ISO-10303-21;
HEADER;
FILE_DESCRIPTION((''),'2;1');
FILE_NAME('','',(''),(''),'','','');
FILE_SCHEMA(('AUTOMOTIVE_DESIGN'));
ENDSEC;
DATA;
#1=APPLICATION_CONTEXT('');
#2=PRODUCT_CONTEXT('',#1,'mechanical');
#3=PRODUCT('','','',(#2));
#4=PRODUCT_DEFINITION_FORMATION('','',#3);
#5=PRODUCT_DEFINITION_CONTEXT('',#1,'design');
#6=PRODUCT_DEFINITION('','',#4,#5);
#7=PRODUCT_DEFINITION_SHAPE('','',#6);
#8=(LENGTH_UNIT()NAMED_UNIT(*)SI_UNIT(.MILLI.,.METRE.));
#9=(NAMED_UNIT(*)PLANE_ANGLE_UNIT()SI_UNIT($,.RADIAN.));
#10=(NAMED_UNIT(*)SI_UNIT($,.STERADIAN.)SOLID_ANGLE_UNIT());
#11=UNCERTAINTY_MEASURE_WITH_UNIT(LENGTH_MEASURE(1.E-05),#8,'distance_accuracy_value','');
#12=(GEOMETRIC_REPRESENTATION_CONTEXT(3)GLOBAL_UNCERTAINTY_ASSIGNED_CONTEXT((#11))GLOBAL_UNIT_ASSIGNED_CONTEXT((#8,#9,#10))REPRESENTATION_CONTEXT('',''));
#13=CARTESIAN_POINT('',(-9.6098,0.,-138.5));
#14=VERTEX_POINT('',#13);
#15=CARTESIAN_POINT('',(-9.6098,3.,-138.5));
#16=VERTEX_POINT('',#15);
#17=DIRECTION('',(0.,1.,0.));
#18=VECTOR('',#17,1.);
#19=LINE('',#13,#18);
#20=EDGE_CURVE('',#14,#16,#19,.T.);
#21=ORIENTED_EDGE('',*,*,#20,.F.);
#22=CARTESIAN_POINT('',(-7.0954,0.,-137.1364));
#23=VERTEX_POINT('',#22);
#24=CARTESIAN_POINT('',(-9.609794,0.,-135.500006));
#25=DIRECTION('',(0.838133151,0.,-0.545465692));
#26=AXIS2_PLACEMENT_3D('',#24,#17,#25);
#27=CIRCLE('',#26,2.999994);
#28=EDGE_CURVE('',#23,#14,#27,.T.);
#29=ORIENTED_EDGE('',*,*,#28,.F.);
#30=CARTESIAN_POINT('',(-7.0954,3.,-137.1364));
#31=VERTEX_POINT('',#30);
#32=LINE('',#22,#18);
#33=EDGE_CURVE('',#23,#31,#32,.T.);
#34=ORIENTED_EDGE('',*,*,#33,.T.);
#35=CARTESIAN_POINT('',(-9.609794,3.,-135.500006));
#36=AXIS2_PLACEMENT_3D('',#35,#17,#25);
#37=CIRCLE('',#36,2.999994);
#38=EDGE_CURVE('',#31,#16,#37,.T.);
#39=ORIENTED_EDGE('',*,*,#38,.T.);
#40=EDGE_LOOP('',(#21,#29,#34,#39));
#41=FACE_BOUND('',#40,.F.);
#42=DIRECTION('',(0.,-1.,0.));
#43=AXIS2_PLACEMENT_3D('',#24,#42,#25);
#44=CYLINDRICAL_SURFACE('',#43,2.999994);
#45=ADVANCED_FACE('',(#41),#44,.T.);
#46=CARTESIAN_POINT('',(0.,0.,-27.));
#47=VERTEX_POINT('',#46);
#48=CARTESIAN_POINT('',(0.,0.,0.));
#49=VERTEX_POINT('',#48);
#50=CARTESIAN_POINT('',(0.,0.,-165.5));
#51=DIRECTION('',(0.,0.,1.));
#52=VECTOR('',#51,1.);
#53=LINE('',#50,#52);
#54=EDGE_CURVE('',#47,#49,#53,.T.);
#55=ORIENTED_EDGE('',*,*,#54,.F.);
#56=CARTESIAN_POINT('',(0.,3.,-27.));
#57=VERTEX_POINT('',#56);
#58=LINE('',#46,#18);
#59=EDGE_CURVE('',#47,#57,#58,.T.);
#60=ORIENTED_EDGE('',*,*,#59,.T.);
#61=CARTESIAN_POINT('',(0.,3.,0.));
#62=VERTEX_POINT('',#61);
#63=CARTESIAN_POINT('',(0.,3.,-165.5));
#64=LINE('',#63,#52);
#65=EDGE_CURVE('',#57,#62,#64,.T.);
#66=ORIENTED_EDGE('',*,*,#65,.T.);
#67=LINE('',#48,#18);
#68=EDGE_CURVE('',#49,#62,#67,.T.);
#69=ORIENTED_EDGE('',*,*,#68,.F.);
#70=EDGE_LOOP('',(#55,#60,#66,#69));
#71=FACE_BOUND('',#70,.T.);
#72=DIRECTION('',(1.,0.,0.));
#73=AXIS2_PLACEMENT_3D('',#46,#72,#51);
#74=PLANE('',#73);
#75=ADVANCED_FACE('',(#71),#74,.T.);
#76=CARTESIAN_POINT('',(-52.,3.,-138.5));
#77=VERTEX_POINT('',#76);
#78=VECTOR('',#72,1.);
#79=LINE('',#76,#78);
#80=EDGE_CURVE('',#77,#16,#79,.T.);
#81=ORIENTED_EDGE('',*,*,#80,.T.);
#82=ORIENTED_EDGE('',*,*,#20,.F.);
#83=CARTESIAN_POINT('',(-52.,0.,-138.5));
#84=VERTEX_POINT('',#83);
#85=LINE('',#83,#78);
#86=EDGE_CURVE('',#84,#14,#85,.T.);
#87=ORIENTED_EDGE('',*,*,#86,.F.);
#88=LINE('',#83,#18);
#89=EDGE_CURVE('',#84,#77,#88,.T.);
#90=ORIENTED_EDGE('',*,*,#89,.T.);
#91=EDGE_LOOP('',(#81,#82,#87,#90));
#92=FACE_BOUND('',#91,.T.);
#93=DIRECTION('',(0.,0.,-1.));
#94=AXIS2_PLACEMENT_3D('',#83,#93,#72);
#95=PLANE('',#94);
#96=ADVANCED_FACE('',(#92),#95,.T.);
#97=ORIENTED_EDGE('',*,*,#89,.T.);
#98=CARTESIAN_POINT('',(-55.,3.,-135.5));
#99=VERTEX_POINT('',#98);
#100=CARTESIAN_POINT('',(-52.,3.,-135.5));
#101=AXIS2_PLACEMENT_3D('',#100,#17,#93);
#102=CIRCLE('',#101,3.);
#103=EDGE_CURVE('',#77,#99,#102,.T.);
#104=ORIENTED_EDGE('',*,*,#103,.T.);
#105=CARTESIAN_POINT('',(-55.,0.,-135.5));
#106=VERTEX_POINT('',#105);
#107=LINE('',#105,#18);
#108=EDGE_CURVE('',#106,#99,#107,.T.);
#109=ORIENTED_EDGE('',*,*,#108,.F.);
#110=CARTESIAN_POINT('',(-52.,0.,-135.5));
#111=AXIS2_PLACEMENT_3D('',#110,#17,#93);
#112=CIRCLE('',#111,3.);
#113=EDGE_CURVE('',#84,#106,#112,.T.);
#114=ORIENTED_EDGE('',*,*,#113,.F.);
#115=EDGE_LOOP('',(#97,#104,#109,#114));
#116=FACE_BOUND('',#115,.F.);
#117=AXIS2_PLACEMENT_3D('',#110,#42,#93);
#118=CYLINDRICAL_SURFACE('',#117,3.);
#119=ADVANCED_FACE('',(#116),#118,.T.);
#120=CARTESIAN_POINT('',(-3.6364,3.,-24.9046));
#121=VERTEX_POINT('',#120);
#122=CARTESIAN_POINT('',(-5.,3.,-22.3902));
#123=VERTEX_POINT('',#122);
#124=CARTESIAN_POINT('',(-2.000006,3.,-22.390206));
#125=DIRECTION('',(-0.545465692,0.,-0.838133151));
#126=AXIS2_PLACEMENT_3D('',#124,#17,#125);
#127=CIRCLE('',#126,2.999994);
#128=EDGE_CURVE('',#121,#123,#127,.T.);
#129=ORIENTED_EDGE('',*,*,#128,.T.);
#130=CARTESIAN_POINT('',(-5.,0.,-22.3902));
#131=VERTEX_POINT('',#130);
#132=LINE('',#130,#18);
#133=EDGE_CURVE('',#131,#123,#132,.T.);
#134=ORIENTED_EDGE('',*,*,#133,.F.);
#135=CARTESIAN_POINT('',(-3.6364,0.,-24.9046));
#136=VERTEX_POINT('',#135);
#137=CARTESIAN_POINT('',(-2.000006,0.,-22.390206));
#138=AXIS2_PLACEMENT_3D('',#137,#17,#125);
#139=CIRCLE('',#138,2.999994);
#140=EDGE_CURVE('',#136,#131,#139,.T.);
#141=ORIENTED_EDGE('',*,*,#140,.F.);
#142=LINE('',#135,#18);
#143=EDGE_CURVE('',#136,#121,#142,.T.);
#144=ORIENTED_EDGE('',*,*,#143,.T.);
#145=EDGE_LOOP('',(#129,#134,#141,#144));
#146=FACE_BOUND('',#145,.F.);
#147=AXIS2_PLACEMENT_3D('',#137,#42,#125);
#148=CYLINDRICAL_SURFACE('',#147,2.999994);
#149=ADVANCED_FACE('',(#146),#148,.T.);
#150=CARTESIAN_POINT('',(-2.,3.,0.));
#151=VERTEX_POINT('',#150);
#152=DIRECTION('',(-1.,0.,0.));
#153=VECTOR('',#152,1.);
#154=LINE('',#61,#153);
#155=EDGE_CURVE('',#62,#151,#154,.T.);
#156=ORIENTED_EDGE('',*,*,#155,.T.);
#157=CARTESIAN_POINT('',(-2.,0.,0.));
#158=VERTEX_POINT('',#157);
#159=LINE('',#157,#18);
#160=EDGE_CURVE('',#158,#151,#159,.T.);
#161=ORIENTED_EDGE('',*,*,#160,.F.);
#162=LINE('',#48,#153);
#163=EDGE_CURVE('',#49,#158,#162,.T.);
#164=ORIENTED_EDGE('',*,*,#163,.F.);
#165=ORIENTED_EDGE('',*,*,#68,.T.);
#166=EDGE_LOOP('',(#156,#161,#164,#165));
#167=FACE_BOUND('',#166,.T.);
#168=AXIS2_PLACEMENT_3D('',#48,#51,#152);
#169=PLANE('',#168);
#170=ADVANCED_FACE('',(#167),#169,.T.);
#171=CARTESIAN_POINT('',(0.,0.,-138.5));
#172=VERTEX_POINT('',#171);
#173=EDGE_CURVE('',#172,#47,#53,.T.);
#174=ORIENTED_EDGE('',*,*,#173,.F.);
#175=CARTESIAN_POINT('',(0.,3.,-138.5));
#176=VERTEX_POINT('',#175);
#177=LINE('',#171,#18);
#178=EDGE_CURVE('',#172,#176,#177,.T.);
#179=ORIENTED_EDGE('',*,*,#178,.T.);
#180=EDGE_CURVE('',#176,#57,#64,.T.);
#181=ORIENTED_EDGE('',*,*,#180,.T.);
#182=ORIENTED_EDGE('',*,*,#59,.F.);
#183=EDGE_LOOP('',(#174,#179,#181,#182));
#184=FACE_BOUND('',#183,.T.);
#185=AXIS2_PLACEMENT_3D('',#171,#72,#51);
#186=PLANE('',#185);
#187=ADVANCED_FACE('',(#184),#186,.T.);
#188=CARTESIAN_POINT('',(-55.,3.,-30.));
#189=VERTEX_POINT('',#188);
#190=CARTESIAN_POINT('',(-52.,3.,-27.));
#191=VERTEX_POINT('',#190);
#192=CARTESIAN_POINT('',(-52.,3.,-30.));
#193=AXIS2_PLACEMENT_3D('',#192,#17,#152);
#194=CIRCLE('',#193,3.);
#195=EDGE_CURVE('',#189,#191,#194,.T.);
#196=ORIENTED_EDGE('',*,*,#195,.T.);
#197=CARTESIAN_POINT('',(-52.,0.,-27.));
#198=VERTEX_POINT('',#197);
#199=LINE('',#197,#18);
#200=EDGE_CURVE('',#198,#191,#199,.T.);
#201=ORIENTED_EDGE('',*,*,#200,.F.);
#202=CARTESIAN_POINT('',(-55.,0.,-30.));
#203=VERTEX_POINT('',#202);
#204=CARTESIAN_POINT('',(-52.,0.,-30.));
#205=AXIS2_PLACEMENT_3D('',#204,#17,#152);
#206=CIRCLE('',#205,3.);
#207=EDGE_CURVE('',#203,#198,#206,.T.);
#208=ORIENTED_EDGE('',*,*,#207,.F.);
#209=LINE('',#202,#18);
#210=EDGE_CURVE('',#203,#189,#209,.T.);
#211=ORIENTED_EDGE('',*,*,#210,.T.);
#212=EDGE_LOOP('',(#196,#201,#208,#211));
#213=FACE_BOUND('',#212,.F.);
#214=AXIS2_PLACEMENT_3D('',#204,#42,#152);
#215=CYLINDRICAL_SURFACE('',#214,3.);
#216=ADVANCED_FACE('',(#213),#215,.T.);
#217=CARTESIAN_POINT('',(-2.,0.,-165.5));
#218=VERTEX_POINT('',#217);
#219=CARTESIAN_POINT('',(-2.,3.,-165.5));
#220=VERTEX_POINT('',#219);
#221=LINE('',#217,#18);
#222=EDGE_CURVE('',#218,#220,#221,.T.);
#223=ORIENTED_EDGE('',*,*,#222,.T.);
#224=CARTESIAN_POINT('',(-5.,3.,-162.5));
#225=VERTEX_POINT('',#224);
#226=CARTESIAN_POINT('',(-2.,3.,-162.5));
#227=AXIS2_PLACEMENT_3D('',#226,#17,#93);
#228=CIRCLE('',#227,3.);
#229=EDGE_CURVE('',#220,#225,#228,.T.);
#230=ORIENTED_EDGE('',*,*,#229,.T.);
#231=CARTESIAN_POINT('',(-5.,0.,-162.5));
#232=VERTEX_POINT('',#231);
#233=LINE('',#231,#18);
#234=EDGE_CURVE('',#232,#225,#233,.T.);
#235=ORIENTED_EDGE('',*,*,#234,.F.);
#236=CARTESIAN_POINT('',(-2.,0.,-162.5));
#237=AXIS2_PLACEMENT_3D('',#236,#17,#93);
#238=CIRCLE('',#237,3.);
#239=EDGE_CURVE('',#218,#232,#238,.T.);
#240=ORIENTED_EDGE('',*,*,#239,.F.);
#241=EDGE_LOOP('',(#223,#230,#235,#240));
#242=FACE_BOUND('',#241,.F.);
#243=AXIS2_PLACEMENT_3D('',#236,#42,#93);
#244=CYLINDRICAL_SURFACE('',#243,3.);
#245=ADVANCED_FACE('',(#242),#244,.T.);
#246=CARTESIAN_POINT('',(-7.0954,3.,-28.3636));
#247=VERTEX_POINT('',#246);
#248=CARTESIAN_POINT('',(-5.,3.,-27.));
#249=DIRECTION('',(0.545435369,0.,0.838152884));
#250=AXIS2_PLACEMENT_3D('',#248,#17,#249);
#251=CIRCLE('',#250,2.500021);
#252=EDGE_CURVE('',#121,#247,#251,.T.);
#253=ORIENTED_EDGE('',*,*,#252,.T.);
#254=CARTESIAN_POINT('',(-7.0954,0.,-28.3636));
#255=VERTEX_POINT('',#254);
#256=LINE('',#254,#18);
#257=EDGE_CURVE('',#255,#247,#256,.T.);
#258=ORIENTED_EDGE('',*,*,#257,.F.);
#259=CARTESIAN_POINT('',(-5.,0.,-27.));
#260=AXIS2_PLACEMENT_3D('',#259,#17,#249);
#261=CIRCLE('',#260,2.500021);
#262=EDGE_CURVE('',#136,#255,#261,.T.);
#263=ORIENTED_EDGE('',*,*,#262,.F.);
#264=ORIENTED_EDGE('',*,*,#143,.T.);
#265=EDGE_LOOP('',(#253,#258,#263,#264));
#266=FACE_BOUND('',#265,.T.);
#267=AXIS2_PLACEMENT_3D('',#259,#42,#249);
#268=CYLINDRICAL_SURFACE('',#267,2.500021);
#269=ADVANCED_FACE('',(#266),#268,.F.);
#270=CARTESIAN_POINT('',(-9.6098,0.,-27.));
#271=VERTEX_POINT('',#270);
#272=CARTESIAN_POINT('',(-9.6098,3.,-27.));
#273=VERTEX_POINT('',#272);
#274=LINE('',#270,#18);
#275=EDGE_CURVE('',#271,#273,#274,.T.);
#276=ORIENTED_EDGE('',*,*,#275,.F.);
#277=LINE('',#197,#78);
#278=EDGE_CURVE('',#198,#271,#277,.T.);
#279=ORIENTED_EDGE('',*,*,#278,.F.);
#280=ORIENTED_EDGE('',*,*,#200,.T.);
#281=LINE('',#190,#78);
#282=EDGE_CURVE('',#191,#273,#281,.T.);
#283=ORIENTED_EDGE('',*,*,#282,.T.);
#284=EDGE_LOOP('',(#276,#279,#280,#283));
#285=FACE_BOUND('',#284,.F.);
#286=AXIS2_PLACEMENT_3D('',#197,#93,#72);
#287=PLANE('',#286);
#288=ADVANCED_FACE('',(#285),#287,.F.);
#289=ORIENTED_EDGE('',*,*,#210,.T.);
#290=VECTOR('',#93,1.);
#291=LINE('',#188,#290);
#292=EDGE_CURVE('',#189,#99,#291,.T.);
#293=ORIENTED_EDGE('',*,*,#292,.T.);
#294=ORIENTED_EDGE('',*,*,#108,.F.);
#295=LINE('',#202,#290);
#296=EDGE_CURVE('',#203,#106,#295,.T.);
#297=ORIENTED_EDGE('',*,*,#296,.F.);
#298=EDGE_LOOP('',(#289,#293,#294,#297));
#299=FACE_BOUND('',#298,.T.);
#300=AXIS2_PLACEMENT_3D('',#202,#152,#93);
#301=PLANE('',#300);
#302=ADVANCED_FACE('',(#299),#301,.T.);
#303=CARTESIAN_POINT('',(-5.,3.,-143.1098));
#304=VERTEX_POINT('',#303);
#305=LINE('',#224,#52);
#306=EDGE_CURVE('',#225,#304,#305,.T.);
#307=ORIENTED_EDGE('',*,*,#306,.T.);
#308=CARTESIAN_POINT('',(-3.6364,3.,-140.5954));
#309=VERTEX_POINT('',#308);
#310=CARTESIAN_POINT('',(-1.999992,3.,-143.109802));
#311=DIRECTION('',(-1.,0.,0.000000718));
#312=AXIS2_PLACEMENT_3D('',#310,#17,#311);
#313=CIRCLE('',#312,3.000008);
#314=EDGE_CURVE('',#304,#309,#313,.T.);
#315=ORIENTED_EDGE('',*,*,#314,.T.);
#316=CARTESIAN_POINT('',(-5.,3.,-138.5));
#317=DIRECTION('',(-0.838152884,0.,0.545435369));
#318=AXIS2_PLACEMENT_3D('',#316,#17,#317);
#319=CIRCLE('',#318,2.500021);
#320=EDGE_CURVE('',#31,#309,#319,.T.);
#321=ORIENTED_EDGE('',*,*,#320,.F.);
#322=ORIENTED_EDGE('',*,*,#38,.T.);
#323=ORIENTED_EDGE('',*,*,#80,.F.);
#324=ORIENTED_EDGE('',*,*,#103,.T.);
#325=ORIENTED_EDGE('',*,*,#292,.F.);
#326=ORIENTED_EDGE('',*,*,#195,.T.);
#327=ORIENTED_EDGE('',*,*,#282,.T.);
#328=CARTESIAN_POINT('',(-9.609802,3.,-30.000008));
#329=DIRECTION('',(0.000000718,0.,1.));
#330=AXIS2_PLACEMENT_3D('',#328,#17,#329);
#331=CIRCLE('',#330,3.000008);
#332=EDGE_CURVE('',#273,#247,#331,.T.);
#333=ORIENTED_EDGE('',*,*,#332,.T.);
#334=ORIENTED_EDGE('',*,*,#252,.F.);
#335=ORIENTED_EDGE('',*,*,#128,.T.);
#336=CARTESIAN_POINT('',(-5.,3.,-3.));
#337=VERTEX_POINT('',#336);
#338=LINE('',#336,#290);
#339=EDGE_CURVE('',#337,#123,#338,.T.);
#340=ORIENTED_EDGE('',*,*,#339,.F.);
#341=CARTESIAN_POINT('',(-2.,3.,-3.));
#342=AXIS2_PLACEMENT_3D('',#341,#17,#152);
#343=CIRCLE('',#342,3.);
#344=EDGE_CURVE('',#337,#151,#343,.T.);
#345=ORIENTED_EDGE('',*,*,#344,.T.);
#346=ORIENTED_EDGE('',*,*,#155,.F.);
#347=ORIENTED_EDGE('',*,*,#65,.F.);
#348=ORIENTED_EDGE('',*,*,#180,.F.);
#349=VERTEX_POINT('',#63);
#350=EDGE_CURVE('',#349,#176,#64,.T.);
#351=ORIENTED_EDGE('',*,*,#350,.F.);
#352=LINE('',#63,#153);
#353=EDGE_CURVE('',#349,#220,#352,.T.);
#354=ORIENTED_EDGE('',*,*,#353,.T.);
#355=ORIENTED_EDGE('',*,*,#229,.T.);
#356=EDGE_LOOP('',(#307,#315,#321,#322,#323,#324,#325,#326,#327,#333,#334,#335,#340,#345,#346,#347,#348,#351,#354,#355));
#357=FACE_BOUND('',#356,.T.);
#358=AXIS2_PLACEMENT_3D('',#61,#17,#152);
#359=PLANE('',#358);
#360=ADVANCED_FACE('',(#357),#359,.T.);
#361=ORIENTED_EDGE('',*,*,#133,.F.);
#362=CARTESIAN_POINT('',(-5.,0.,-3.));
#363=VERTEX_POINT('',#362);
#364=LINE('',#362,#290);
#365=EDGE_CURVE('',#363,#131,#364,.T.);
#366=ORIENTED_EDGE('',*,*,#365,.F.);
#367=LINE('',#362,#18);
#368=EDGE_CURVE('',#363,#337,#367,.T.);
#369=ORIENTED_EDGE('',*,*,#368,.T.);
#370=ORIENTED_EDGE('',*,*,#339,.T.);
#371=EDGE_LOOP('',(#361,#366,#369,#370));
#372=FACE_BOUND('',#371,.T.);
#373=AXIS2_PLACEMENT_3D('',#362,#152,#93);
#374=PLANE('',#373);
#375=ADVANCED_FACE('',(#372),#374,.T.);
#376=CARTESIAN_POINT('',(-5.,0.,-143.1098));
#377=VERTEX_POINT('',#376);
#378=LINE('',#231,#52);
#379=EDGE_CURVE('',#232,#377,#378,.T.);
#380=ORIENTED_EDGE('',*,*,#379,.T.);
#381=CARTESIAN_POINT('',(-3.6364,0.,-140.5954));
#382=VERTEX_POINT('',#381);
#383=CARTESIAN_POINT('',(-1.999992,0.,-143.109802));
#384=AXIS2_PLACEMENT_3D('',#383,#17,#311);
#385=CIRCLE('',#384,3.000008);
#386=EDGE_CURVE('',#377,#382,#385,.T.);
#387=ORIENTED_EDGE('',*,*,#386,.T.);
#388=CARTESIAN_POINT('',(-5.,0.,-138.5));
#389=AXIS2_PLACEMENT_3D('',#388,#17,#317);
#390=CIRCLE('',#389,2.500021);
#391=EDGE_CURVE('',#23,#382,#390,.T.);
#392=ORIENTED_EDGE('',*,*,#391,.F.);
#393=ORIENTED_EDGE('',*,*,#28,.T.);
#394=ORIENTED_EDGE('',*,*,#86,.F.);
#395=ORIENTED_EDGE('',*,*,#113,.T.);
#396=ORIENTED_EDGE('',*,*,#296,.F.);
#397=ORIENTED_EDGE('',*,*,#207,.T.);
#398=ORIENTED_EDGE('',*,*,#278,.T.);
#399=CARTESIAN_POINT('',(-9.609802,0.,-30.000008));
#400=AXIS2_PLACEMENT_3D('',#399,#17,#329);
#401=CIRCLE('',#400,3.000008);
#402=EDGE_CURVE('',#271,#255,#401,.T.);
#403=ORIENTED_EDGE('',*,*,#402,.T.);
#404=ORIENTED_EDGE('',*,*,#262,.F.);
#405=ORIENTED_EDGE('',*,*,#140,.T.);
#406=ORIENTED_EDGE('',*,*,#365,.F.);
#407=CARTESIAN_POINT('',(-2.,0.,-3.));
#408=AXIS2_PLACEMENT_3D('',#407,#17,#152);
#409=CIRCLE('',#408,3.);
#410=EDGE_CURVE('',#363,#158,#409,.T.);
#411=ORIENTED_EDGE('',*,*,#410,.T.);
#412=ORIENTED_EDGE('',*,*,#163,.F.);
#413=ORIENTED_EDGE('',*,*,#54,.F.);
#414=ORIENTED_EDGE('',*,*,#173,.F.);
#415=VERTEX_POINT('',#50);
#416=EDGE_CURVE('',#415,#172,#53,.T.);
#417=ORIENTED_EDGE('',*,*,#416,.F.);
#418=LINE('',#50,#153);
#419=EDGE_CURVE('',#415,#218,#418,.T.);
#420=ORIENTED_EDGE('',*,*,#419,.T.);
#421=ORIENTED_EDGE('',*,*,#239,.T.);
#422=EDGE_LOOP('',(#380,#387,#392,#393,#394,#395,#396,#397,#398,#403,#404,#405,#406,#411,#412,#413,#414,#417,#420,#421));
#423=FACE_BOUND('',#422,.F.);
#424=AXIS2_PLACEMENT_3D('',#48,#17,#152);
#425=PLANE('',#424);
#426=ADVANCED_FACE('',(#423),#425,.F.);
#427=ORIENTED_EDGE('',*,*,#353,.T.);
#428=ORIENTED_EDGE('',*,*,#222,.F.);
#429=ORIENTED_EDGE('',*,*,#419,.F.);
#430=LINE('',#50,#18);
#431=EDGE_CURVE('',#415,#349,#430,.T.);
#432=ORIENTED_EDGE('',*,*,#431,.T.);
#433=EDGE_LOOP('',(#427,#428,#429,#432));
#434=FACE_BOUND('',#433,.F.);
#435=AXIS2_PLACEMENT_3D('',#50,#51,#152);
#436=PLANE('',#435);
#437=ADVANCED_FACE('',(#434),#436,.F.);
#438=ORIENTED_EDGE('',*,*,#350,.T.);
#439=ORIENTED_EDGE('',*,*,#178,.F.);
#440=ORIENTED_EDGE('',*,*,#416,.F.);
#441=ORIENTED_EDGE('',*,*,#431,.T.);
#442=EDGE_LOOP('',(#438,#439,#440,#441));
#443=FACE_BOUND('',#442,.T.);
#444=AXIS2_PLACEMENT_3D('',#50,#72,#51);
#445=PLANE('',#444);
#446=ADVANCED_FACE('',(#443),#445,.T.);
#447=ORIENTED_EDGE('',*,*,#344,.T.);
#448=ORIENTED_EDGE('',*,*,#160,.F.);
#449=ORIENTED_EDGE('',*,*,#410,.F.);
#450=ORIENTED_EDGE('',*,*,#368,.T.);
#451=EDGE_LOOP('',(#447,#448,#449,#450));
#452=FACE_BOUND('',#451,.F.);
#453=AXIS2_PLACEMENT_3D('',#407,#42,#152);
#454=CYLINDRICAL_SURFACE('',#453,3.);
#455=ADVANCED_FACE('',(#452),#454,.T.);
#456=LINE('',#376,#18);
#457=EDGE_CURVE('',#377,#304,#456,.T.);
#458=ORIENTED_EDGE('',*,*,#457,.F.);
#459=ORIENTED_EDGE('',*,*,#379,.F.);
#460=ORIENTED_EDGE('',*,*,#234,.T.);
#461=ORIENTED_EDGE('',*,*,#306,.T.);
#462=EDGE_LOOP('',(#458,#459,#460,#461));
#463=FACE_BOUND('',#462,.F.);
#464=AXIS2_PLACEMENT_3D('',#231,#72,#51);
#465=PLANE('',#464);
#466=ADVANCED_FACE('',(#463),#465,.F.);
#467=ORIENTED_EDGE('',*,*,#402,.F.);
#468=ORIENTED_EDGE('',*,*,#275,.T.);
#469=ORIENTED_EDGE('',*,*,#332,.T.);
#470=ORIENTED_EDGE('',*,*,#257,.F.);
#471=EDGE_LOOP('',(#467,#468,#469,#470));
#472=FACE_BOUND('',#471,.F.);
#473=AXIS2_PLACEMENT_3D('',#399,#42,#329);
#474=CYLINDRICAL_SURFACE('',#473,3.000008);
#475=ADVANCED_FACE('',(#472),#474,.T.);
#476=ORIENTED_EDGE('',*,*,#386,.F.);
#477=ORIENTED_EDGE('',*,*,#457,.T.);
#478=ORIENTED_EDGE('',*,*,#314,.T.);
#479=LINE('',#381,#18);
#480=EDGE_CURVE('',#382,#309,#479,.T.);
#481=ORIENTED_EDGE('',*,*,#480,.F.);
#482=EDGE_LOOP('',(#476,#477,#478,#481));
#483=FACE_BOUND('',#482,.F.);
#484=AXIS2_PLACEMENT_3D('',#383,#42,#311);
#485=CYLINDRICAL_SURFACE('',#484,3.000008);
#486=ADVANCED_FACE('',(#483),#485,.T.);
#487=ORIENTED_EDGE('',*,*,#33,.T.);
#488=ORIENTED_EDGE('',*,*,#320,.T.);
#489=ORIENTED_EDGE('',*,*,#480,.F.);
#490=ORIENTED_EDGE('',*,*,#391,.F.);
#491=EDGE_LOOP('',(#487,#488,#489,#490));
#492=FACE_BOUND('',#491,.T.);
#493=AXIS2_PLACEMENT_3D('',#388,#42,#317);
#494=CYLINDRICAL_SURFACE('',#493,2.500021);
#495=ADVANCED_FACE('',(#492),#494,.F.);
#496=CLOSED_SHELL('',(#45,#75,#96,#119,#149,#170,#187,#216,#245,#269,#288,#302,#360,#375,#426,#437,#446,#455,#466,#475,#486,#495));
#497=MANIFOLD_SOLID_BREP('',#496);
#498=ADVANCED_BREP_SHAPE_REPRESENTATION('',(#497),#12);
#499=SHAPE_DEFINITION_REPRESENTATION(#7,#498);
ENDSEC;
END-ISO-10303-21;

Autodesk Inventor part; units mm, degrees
ref_plane "YZ Plane" through (0, 0, 0) normal (1, 0, 0) x (0, 1, 0)
ref_plane "XZ Plane" through (0, 0, 0) normal (0, 1, 0) x (-1, 0, 0)
ref_plane "XY Plane" through (0, 0, 0) normal (0, 0, 1) x (1, 0, 0)
sketch "Sketch1" plane through (0, 0, 0) normal (0, 1, 0) x (-1, 0, 0)
  line L0 (55, -30) -> (55, -135.5)
  line L1 (0, -165.5) -> (0, 0)
  line L2 (52, -27) -> (9.6098, -27)
  line L3 (0, -27) -> (0, 0)
  line L4 (52, -138.5) -> (9.6098, -138.5)
  line L5 (0, -138.5) -> (0, -165.5)
  line L6 (0, 0) -> (2, 0)
  line L7 (5, -3) -> (5, -22.3902)
  line L8 (0, -27) -> (0, 0)
  line L9 (0, -165.5) -> (2, -165.5)
  line L10 (5, -162.5) -> (5, -143.1098)
  line L11 (0, -138.5) -> (0, -165.5)
  arc A0 (3.6364, -24.9046) -> (7.0954, -28.3636) centre (5, -27) ccw
  arc A1 (7.0954, -137.1364) -> (3.6364, -140.5954) centre (5, -138.5) ccw
  arc A2 (55, -30) -> (52, -27) centre (52, -30) ccw
  arc A3 (52, -138.5) -> (55, -135.5) centre (52, -135.5) ccw
  arc A4 (9.6098, -27) -> (7.0954, -28.3636) centre (9.6098, -30) ccw
  arc A5 (3.6364, -24.9046) -> (5, -22.3902) centre (2, -22.3902) ccw
  arc A6 (7.0954, -137.1364) -> (9.6098, -138.5) centre (9.6098, -135.5) ccw
  arc A7 (5, -143.1098) -> (3.6364, -140.5954) centre (2, -143.1098) ccw
  arc A8 (5, -3) -> (2, 0) centre (2, -3) ccw
  arc A9 (2, -165.5) -> (5, -162.5) centre (2, -162.5) ccw
  point P0 (5, -24.5)
  point P1 (5, -141)
  point P2 (7.5, -27)
  point P3 (7.5, -138.5)
  dimension "d8" = 3
  dimension "d9" = 3
extrude "Extrusion1" add sketch "Sketch1" along normal blind 3
properties part number "Maze Wall Alignment Jig"
